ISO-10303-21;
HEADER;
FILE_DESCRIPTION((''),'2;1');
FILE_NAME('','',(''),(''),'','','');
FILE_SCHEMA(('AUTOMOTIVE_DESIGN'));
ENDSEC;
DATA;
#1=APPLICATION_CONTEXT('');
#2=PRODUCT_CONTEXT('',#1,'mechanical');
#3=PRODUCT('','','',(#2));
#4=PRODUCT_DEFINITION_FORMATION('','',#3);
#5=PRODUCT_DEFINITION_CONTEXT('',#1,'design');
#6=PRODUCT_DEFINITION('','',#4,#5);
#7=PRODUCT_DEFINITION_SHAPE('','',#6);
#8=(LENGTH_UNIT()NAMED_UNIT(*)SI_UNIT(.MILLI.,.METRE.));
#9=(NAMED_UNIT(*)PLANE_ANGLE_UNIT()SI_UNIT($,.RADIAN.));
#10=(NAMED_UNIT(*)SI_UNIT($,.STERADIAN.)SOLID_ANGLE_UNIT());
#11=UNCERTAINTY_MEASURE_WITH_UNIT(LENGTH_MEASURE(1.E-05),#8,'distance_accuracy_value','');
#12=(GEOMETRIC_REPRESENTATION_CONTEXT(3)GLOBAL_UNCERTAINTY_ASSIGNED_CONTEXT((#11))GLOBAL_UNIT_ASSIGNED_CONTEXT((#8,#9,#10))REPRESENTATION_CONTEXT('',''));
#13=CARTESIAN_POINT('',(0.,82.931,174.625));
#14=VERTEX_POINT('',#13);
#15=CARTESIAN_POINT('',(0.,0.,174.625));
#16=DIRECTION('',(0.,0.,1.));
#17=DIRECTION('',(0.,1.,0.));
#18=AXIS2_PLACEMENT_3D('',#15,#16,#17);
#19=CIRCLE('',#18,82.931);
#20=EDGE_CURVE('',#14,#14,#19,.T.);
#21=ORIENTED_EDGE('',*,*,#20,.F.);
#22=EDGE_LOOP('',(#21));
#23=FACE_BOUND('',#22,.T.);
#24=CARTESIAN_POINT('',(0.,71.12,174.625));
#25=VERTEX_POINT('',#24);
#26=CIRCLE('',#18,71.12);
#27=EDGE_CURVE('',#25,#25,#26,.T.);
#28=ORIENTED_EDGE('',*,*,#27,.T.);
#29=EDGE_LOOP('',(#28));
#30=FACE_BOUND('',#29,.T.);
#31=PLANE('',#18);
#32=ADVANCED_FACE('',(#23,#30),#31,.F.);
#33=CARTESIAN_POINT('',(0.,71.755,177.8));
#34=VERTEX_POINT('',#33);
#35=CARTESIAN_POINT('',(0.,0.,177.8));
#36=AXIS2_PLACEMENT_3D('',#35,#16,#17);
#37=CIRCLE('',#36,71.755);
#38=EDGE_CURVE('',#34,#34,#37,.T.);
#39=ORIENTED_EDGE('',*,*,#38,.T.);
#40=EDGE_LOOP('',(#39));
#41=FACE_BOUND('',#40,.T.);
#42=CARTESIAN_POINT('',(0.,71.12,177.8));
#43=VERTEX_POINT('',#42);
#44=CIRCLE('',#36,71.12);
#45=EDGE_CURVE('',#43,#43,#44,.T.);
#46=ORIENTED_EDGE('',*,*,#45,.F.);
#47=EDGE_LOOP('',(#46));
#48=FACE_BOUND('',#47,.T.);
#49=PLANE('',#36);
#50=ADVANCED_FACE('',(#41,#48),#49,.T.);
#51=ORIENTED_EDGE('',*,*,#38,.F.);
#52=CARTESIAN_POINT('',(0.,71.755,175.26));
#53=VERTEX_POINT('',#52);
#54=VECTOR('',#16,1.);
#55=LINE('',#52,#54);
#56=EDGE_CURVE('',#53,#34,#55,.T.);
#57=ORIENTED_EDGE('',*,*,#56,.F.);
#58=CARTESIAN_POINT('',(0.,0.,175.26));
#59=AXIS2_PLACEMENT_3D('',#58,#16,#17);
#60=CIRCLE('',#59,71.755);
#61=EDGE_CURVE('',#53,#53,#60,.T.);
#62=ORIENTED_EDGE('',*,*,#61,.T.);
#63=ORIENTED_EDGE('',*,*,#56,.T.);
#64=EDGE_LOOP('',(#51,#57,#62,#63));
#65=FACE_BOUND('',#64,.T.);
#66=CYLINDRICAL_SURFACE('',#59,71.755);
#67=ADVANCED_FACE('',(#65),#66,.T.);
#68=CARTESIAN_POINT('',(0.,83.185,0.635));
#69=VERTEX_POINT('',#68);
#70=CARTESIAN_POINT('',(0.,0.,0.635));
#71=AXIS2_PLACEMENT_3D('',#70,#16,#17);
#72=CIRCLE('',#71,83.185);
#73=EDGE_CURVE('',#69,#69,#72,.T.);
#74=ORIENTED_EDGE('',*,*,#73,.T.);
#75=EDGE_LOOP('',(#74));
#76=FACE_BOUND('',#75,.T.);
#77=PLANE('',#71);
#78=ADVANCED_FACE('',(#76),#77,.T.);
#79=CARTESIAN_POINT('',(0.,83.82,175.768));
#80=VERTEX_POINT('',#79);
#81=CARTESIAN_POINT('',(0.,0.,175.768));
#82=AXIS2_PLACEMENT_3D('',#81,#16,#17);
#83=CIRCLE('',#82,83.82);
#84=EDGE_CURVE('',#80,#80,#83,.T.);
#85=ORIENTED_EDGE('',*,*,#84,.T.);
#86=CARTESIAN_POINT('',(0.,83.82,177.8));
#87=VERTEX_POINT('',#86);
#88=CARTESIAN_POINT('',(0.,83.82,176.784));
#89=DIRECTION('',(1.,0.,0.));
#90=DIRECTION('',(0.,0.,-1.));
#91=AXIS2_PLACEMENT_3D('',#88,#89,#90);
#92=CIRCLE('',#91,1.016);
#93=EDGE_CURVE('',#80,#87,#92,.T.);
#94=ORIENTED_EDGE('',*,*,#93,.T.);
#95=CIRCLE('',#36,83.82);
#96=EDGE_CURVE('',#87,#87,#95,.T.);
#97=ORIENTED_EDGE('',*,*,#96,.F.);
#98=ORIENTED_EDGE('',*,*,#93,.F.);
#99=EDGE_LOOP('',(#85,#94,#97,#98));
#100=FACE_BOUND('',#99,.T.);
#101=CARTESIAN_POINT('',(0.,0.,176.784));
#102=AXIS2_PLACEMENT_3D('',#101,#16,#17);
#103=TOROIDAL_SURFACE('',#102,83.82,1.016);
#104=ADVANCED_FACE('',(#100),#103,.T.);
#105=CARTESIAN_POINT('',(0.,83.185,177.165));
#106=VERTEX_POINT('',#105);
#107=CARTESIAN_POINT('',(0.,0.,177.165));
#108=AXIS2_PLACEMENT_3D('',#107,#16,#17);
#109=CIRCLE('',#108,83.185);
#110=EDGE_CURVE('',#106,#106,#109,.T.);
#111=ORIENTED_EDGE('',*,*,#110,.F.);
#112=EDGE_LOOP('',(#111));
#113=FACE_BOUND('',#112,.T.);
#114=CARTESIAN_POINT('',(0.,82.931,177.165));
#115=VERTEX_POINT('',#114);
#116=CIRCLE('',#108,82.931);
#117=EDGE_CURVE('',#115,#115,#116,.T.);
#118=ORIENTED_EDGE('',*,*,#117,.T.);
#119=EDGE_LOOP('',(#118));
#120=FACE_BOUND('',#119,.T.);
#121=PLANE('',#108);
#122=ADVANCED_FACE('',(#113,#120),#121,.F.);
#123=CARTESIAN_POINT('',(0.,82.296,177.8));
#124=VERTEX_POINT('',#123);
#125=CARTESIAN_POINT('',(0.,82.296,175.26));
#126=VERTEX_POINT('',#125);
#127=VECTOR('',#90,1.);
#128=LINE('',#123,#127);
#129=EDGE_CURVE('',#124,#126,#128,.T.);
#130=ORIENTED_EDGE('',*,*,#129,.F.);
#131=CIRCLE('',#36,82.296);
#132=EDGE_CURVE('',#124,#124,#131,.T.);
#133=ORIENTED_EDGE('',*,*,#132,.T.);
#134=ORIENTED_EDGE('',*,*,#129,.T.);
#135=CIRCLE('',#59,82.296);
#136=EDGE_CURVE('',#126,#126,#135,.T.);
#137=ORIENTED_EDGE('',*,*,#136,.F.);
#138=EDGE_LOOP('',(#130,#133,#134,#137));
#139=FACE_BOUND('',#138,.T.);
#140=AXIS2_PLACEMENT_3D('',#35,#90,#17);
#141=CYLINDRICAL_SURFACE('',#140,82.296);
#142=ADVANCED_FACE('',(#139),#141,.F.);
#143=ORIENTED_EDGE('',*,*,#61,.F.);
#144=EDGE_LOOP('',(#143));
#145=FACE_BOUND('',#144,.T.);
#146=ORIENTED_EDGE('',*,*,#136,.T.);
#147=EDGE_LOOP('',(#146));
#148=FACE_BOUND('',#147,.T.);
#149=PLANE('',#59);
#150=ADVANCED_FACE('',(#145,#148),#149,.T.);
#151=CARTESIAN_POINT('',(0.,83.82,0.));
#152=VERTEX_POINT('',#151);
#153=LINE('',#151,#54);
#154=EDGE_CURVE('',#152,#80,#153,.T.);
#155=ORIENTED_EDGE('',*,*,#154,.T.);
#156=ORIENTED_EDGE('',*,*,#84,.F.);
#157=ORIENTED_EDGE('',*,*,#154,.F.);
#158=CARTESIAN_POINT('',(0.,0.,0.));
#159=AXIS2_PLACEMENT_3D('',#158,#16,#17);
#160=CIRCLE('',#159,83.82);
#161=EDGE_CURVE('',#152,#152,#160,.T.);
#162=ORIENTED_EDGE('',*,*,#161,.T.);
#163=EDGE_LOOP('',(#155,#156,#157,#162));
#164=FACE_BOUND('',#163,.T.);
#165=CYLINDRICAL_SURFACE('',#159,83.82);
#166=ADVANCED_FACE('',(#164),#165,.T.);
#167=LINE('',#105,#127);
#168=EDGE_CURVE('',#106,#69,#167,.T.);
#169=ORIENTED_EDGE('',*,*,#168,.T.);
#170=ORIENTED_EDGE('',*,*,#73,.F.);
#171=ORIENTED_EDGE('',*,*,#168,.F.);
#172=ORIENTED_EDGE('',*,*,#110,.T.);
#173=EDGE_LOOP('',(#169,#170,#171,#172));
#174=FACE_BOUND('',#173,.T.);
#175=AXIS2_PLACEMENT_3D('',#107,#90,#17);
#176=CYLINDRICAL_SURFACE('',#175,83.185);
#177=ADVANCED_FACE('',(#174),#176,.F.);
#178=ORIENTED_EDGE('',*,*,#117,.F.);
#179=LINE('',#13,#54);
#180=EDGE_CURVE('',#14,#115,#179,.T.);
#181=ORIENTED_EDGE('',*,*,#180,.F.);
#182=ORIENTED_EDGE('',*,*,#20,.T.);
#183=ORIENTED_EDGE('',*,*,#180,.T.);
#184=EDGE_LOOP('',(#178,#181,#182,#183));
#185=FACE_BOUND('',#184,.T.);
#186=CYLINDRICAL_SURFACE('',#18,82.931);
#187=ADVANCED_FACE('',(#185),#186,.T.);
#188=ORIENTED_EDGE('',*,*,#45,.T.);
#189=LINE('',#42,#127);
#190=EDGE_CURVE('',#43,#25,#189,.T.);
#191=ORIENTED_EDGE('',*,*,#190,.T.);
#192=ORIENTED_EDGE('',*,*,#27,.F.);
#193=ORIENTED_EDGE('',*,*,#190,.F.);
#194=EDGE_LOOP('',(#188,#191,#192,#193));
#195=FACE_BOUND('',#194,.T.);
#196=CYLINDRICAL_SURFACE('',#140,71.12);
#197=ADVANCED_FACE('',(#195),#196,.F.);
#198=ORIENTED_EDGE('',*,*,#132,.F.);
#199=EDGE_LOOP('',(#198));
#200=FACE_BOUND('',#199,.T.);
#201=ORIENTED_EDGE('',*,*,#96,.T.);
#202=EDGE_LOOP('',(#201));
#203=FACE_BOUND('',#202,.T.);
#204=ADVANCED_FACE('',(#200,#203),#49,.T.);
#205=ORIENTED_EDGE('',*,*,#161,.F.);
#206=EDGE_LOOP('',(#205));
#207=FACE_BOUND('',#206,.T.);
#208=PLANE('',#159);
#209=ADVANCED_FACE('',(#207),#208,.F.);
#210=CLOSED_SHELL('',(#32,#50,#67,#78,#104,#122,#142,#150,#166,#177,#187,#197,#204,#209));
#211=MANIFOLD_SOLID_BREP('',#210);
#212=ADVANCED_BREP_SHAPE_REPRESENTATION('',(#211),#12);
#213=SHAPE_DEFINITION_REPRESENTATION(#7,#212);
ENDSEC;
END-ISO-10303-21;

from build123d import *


with BuildPart() as f1:
    # F0 (on Right) → F1 (revolve)
    with BuildSketch(Plane.YZ):
        with BuildLine():
            Line((0, 0.635), (0, 0))
            Line((0, 0), (83.82, 0))
            Line((83.82, 0), (83.82, 175.768))
            ThreePointArc((83.82, 175.768), (84.836, 176.784), (83.82, 177.8))
            Line((83.82, 177.8), (82.296, 177.8))
            Line((82.296, 177.8), (82.296, 175.26))
            Line((82.296, 175.26), (71.755, 175.26))
            Line((71.755, 175.26), (71.755, 177.8))
            Line((71.755, 177.8), (71.12, 177.8))
            Line((71.12, 177.8), (71.12, 174.625))
            Line((71.12, 174.625), (82.931, 174.625))
            Line((82.931, 174.625), (82.931, 177.165))
            Line((82.931, 177.165), (83.185, 177.165))
            Line((83.185, 177.165), (83.185, 0.635))
            Line((83.185, 0.635), (0, 0.635))
        make_face()
    revolve(axis=Axis((0, 0, 48.229507), (0, 0, 1)))


solid = f1.part
